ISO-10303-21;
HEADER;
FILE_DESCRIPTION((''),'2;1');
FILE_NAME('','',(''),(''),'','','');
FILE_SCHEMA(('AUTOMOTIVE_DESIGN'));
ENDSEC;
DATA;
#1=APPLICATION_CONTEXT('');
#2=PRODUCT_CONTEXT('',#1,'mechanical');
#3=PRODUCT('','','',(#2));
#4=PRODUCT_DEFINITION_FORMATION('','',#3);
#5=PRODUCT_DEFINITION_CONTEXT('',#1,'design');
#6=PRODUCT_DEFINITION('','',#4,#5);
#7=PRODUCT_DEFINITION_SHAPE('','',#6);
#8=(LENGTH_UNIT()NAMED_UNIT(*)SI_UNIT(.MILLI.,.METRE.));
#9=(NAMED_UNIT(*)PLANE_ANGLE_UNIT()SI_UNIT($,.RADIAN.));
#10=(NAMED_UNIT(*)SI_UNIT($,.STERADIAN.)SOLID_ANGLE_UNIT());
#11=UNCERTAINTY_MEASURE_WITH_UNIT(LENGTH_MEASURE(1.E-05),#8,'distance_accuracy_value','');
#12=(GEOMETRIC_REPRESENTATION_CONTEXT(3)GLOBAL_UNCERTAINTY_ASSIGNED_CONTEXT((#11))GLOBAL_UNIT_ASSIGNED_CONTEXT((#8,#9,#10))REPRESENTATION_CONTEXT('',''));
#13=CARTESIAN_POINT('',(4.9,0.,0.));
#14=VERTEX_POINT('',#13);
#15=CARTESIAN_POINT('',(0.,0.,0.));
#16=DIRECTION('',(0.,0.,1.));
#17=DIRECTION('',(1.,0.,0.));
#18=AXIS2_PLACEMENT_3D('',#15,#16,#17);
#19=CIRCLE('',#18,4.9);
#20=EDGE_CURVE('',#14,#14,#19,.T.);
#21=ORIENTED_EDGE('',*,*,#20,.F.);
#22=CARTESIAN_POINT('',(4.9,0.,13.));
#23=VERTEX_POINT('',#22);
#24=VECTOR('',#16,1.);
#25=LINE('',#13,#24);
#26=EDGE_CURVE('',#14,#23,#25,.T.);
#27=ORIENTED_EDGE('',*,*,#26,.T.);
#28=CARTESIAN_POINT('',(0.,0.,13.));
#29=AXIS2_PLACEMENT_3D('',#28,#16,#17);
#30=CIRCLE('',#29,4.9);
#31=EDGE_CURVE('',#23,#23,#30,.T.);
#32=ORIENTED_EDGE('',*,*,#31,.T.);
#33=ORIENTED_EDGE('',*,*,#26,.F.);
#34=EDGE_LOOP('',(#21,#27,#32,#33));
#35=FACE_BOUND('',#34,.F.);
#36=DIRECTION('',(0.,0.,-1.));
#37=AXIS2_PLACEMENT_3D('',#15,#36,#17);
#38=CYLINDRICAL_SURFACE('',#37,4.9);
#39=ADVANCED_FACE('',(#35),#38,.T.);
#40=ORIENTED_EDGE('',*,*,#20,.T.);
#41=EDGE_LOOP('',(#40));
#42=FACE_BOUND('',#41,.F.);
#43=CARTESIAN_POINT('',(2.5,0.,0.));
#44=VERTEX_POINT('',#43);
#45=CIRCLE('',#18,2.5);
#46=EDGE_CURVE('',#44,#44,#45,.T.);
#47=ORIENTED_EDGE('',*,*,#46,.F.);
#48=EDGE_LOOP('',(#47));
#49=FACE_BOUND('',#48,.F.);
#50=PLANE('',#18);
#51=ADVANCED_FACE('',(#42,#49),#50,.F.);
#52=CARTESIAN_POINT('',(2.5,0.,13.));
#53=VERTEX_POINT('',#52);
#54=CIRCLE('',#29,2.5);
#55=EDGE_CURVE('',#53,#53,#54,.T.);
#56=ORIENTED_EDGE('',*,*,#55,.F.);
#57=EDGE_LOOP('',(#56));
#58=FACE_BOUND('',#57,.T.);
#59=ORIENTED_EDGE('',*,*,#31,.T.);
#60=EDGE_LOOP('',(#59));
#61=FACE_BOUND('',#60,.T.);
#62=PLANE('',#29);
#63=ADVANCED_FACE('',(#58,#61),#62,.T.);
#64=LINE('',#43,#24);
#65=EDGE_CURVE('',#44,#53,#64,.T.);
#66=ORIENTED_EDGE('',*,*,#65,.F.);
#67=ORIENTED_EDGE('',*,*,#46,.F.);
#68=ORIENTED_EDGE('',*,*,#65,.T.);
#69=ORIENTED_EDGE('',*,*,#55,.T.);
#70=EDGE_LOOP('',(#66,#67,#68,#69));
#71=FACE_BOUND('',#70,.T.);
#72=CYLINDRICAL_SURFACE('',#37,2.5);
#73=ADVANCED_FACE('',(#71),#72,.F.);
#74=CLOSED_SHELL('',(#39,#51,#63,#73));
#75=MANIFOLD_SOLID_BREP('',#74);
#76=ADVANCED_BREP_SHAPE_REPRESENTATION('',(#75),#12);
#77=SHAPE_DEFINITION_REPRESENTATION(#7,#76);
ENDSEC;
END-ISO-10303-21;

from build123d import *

# Parameters (mm, degrees)
SKETCH_R   = 4.9
SKETCH_R_2 = 2.5
PAD_DEPTH  = 13


with BuildPart() as part:
    # Sketch → Pad (new body)
    with BuildSketch(Plane.XY):
        Circle(SKETCH_R)
        Circle(SKETCH_R_2, mode=Mode.SUBTRACT)
    extrude(amount=PAD_DEPTH)


solid = part.part
